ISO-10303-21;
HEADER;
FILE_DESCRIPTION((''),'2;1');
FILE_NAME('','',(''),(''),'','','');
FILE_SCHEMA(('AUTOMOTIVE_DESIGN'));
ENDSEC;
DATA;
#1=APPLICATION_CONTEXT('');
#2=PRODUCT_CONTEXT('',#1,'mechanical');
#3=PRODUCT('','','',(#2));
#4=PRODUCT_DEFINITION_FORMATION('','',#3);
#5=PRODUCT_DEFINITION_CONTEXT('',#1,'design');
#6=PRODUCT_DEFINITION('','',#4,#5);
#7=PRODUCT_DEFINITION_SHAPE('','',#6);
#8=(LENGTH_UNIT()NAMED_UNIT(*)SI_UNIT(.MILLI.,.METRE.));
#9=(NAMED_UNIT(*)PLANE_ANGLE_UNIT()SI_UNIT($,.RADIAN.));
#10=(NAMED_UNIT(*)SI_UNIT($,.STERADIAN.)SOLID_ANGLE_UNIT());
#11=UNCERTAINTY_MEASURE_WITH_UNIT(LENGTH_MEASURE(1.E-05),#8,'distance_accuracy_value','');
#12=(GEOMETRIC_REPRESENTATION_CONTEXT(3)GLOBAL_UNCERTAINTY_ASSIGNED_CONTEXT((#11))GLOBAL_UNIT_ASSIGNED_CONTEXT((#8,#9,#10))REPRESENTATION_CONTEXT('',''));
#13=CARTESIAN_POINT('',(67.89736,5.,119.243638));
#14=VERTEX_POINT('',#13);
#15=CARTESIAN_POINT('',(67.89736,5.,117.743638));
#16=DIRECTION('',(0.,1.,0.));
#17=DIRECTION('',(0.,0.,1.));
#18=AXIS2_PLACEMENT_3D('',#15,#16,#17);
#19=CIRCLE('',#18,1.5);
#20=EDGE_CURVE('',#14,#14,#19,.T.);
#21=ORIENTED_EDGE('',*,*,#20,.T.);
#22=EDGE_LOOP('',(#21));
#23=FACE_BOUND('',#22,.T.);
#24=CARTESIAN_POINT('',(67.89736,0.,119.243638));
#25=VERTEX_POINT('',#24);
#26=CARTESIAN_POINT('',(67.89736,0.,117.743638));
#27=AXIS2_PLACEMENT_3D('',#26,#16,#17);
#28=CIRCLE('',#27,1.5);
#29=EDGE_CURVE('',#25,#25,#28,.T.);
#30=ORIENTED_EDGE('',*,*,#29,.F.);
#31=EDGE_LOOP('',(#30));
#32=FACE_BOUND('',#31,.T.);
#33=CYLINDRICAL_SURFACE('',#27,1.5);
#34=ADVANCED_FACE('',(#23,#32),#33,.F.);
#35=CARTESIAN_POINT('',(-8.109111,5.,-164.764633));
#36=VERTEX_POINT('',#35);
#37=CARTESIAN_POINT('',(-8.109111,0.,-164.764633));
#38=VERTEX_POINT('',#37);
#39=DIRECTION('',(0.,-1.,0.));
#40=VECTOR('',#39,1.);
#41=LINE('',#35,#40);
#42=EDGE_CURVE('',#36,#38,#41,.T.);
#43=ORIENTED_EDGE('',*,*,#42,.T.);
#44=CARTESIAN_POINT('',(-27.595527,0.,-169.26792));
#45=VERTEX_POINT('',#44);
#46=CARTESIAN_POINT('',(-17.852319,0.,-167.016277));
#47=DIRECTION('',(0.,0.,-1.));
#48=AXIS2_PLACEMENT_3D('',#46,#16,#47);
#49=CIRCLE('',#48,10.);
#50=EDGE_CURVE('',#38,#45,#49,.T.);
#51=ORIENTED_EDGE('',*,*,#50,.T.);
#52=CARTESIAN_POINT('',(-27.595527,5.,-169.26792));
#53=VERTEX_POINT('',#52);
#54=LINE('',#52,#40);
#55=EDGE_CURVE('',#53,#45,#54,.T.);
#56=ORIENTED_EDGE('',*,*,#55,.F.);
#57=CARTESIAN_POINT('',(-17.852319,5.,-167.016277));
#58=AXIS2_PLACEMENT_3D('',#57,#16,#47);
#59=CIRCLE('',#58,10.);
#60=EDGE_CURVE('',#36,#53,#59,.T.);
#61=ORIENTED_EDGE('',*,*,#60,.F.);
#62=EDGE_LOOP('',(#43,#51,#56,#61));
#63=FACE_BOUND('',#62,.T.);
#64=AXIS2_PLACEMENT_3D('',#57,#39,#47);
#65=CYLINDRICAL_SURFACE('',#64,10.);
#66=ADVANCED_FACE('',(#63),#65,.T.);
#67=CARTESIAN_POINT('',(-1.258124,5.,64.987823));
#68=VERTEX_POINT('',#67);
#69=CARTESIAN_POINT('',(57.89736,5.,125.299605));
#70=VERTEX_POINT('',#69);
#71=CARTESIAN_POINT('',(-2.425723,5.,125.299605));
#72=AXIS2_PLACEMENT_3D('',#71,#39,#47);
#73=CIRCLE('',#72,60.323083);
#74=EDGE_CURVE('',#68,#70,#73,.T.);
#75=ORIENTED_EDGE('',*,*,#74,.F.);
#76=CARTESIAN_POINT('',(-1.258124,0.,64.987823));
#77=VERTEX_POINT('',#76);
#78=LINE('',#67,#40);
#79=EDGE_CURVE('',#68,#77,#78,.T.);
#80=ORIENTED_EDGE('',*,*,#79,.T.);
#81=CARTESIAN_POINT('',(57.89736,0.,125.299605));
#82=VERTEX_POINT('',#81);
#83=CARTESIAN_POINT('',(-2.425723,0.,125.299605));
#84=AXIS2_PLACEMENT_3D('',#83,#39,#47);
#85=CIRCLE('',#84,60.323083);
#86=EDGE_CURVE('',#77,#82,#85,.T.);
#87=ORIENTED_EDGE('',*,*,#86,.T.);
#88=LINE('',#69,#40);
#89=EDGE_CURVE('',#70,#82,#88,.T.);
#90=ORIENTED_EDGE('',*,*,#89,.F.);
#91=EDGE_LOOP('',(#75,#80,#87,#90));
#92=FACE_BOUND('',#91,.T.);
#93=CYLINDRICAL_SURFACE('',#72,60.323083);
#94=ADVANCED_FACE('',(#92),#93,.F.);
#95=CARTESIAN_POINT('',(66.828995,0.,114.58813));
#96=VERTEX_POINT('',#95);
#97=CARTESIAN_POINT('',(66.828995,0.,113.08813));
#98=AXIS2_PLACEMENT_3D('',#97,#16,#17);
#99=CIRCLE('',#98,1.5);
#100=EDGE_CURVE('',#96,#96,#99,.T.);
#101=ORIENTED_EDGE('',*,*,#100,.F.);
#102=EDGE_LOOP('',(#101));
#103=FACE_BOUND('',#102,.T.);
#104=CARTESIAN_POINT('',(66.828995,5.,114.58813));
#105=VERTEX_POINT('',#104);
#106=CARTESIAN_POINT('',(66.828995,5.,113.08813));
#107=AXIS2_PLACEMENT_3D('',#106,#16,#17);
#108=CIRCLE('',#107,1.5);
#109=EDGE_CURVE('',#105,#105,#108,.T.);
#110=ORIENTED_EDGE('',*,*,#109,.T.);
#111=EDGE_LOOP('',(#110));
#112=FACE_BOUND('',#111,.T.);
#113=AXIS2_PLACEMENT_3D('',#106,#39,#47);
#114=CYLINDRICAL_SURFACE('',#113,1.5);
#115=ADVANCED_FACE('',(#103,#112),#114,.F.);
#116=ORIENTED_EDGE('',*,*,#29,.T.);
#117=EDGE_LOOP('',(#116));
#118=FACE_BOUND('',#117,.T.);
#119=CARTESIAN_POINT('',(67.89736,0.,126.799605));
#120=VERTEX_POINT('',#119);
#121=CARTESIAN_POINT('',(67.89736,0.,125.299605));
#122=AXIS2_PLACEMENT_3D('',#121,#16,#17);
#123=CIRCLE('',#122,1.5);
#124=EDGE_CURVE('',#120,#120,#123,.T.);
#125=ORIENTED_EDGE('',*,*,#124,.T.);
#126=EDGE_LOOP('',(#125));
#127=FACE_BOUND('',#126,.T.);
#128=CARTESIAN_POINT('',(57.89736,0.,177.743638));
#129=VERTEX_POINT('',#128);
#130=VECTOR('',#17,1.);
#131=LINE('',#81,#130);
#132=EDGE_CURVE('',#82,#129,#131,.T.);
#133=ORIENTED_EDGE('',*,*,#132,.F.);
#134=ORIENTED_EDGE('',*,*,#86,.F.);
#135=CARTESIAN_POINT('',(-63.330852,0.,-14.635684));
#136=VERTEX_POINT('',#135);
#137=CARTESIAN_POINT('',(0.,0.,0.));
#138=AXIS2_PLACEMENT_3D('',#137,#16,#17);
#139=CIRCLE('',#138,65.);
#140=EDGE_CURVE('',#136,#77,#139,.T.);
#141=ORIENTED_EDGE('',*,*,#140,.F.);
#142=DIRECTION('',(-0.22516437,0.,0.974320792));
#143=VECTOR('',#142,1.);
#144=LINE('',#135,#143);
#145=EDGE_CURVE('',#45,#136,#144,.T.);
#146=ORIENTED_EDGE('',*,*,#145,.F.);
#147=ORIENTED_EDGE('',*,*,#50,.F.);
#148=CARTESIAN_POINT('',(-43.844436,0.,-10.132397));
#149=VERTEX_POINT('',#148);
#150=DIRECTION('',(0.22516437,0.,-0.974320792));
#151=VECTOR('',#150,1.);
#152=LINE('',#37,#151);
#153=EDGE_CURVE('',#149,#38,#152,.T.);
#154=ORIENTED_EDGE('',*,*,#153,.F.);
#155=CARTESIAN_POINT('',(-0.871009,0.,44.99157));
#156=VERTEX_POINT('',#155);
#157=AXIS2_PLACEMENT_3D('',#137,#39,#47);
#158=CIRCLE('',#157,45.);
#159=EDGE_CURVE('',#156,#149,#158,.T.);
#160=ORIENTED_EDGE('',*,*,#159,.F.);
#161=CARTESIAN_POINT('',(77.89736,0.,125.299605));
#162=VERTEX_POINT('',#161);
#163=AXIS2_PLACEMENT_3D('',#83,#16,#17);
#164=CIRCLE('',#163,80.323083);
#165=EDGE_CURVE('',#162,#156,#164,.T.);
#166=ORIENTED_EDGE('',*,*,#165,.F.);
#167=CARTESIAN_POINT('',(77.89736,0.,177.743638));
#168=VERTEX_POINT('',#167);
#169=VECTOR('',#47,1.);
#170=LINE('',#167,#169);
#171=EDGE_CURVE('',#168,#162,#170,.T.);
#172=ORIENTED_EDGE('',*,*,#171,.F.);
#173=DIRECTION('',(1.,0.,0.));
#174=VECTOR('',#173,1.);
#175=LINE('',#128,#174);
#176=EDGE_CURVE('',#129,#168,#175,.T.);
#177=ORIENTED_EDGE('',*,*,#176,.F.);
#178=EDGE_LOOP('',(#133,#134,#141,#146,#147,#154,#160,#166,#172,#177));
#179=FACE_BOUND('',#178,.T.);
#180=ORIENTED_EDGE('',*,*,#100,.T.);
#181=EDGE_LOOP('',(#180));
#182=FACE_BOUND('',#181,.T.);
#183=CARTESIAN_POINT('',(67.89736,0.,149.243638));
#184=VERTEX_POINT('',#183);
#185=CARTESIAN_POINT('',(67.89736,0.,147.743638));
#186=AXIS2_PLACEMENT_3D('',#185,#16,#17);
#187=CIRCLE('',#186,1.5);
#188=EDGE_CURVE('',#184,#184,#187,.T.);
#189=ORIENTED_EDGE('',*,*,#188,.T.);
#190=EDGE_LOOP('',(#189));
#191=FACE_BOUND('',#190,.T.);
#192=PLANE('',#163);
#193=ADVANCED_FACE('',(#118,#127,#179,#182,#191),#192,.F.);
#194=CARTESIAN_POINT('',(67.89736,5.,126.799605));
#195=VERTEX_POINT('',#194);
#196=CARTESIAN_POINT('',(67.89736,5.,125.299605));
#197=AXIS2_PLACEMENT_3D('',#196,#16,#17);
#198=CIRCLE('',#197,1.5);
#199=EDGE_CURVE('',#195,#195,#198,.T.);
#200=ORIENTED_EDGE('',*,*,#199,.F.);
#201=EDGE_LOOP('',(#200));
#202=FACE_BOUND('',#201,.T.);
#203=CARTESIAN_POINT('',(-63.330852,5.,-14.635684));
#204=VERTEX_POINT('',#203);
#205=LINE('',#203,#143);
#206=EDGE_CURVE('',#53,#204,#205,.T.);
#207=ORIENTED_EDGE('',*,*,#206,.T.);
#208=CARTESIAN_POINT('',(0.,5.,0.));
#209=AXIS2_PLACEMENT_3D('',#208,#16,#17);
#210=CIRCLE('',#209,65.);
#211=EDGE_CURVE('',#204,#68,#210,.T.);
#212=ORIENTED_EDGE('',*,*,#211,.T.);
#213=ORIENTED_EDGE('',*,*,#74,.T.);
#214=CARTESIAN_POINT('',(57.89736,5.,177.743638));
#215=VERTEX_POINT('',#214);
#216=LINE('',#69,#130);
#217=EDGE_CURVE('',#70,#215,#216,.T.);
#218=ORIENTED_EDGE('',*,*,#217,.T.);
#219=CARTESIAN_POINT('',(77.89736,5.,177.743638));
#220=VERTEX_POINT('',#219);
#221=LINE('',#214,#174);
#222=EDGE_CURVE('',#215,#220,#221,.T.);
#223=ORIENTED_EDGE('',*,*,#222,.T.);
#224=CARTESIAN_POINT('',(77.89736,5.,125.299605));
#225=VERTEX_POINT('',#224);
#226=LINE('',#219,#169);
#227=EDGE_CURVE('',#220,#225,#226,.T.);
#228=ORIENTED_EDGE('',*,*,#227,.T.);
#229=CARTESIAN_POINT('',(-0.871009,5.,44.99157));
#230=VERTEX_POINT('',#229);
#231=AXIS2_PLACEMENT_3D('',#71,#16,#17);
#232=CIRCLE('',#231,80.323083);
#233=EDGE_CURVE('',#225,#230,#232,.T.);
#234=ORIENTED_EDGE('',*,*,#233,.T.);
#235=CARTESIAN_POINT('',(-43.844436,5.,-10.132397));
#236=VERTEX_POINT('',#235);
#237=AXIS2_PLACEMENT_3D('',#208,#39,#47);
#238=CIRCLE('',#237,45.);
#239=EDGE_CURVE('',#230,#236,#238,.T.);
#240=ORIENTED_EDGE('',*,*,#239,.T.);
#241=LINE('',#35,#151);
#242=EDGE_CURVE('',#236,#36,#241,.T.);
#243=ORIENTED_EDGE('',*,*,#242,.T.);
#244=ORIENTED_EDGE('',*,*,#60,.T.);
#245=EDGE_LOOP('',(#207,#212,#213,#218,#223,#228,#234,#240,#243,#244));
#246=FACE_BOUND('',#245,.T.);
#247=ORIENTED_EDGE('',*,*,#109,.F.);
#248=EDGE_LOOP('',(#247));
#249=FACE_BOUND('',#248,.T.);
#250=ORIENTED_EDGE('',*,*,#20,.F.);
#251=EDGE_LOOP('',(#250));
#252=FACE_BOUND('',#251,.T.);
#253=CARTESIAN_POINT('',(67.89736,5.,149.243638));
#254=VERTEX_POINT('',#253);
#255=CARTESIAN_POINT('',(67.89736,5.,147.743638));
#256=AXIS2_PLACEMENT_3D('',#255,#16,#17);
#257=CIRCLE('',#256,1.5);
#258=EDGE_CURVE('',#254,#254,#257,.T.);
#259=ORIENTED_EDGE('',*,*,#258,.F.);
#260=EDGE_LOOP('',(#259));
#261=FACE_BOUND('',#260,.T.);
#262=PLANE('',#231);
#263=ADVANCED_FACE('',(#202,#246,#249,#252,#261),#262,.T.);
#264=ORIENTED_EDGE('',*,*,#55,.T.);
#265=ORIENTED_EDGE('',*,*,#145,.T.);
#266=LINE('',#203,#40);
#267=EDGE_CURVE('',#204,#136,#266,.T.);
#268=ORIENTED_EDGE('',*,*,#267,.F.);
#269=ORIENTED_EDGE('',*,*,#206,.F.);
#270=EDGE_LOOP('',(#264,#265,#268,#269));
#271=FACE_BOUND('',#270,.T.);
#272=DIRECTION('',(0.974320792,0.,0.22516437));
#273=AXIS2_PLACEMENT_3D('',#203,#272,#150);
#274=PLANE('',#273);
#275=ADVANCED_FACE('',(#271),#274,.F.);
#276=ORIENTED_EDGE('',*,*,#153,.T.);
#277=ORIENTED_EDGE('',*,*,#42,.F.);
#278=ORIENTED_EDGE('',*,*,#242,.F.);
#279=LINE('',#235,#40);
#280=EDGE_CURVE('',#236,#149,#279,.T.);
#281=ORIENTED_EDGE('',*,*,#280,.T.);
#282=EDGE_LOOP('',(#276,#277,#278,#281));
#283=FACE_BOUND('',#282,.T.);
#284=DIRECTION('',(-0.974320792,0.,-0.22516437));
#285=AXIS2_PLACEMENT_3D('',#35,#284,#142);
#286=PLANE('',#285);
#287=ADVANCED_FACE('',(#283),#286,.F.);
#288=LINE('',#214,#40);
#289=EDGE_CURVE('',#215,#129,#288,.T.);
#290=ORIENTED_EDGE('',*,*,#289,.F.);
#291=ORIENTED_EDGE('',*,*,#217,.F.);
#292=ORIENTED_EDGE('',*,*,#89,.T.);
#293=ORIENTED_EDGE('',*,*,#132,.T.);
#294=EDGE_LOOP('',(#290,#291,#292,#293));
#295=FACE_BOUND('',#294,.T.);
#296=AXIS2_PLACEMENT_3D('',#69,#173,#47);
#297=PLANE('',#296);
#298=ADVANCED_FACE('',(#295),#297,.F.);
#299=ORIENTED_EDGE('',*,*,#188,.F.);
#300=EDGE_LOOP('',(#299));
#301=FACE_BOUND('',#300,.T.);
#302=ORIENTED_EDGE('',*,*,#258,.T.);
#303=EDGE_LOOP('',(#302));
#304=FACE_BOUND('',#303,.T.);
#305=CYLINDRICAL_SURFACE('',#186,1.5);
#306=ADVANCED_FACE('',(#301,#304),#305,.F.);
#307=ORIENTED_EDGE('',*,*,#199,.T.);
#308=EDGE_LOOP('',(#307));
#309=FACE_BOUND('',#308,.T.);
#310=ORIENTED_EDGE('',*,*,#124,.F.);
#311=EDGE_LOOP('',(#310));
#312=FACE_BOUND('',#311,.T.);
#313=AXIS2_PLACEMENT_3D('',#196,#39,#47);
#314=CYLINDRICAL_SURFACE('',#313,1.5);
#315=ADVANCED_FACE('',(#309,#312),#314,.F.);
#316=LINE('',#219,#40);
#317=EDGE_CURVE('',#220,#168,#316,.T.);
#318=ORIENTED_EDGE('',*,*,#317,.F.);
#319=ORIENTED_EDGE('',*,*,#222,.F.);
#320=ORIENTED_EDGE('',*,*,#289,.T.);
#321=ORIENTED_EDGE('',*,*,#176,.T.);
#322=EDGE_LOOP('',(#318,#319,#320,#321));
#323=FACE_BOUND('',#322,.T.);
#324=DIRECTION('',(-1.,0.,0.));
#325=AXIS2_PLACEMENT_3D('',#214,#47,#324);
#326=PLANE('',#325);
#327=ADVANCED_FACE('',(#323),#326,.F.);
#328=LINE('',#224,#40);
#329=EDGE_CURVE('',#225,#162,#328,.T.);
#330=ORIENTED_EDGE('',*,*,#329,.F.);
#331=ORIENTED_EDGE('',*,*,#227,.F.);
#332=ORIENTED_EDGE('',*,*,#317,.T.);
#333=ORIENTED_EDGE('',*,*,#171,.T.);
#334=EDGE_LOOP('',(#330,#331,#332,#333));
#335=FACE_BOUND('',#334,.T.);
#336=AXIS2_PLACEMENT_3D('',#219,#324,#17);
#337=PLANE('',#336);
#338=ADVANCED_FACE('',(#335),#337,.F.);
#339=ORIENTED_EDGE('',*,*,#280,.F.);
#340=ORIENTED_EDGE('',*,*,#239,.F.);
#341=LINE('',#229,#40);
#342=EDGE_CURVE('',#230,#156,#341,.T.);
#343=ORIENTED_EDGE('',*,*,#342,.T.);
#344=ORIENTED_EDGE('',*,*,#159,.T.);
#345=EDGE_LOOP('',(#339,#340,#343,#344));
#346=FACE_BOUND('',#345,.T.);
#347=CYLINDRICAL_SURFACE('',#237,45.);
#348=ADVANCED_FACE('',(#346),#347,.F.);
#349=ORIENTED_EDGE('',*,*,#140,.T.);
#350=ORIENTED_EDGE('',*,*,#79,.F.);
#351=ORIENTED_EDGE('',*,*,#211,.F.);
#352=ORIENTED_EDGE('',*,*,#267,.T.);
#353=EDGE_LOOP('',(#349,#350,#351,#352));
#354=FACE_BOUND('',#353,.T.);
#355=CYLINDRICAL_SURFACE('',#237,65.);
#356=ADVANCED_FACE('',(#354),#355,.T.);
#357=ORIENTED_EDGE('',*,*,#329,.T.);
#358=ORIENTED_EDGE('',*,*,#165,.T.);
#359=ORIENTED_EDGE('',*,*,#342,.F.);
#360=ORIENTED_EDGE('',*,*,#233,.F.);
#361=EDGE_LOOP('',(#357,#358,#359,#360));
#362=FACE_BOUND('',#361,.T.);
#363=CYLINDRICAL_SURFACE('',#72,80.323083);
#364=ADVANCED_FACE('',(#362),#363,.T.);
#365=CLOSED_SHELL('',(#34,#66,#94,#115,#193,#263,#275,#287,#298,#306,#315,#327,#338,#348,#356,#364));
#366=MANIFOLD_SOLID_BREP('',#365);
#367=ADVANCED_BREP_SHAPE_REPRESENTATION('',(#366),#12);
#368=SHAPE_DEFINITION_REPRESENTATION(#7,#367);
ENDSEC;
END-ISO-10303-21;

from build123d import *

# Parameters (mm, degrees)
SKETCH_1_R          = 1.5
EXTRUDE_1_DEPTH     = 5
SKETCH_2_R          = 1.5
CUT_EXTRUDE_2_DEPTH = 195.128306699


with BuildPart() as part:
    # 草圖1 → 伸長1 (new body)
    with BuildSketch(Plane(origin=(0, 0, 0), x_dir=(1, 0, 0), z_dir=(0, 1, 0))):
        with BuildLine():
            Line((57.897360436, -125.299605011), (57.897360436, -177.743637577))
            Line((57.897360436, -177.743637577), (77.897360436, -177.743637577))
            Line((77.897360436, -177.743637577), (77.897360436, -125.299605011))
            ThreePointArc((77.897360436, -125.299605011), (54.918314005, -69.05496851), (-0.871008877, -44.991569694))
            ThreePointArc((-0.871008877, -44.991569694), (-35.489867026, -27.667116556), (-43.844435656, 10.132396657))
            Line((-43.844435656, 10.132396657), (-8.109110739, 164.764632944))
            ThreePointArc((-8.109110739, 164.764632944), (-15.600674961, 176.759484569), (-27.595526586, 169.267920347))
            Line((-27.595526586, 169.267920347), (-63.330851503, 14.63568406))
            ThreePointArc((-63.330851503, 14.63568406), (-51.263141259, -39.963612803), (-1.258123933, -64.987822891))
            ThreePointArc((-1.258123933, -64.987822891), (40.639968493, -83.059569519), (57.897360436, -125.299605011))
        make_face()
        with Locations(Location((66.82899479, -113.088129791, 0), (0, 0, 270))):
            Circle(SKETCH_1_R, mode=Mode.SUBTRACT)
        with Locations(Location((67.897360436, -125.299605011, 0), (0, 0, 270))):
            Circle(SKETCH_1_R, mode=Mode.SUBTRACT)
    extrude(amount=EXTRUDE_1_DEPTH)

    # 草圖2 → 伸長2 (cut, through all)
    with BuildSketch(Plane(origin=(0, 5, 0), x_dir=(1, 0, 0), z_dir=(0, 1, 0))):
        with Locations(Location((67.897360436, -117.743637577, 0), (0, 0, 270))):
            Circle(SKETCH_2_R)
        with Locations(Location((67.897360436, -147.743637577, 0), (0, 0, 270))):
            Circle(SKETCH_2_R)
    extrude(amount=-CUT_EXTRUDE_2_DEPTH, mode=Mode.SUBTRACT)


solid = part.part
